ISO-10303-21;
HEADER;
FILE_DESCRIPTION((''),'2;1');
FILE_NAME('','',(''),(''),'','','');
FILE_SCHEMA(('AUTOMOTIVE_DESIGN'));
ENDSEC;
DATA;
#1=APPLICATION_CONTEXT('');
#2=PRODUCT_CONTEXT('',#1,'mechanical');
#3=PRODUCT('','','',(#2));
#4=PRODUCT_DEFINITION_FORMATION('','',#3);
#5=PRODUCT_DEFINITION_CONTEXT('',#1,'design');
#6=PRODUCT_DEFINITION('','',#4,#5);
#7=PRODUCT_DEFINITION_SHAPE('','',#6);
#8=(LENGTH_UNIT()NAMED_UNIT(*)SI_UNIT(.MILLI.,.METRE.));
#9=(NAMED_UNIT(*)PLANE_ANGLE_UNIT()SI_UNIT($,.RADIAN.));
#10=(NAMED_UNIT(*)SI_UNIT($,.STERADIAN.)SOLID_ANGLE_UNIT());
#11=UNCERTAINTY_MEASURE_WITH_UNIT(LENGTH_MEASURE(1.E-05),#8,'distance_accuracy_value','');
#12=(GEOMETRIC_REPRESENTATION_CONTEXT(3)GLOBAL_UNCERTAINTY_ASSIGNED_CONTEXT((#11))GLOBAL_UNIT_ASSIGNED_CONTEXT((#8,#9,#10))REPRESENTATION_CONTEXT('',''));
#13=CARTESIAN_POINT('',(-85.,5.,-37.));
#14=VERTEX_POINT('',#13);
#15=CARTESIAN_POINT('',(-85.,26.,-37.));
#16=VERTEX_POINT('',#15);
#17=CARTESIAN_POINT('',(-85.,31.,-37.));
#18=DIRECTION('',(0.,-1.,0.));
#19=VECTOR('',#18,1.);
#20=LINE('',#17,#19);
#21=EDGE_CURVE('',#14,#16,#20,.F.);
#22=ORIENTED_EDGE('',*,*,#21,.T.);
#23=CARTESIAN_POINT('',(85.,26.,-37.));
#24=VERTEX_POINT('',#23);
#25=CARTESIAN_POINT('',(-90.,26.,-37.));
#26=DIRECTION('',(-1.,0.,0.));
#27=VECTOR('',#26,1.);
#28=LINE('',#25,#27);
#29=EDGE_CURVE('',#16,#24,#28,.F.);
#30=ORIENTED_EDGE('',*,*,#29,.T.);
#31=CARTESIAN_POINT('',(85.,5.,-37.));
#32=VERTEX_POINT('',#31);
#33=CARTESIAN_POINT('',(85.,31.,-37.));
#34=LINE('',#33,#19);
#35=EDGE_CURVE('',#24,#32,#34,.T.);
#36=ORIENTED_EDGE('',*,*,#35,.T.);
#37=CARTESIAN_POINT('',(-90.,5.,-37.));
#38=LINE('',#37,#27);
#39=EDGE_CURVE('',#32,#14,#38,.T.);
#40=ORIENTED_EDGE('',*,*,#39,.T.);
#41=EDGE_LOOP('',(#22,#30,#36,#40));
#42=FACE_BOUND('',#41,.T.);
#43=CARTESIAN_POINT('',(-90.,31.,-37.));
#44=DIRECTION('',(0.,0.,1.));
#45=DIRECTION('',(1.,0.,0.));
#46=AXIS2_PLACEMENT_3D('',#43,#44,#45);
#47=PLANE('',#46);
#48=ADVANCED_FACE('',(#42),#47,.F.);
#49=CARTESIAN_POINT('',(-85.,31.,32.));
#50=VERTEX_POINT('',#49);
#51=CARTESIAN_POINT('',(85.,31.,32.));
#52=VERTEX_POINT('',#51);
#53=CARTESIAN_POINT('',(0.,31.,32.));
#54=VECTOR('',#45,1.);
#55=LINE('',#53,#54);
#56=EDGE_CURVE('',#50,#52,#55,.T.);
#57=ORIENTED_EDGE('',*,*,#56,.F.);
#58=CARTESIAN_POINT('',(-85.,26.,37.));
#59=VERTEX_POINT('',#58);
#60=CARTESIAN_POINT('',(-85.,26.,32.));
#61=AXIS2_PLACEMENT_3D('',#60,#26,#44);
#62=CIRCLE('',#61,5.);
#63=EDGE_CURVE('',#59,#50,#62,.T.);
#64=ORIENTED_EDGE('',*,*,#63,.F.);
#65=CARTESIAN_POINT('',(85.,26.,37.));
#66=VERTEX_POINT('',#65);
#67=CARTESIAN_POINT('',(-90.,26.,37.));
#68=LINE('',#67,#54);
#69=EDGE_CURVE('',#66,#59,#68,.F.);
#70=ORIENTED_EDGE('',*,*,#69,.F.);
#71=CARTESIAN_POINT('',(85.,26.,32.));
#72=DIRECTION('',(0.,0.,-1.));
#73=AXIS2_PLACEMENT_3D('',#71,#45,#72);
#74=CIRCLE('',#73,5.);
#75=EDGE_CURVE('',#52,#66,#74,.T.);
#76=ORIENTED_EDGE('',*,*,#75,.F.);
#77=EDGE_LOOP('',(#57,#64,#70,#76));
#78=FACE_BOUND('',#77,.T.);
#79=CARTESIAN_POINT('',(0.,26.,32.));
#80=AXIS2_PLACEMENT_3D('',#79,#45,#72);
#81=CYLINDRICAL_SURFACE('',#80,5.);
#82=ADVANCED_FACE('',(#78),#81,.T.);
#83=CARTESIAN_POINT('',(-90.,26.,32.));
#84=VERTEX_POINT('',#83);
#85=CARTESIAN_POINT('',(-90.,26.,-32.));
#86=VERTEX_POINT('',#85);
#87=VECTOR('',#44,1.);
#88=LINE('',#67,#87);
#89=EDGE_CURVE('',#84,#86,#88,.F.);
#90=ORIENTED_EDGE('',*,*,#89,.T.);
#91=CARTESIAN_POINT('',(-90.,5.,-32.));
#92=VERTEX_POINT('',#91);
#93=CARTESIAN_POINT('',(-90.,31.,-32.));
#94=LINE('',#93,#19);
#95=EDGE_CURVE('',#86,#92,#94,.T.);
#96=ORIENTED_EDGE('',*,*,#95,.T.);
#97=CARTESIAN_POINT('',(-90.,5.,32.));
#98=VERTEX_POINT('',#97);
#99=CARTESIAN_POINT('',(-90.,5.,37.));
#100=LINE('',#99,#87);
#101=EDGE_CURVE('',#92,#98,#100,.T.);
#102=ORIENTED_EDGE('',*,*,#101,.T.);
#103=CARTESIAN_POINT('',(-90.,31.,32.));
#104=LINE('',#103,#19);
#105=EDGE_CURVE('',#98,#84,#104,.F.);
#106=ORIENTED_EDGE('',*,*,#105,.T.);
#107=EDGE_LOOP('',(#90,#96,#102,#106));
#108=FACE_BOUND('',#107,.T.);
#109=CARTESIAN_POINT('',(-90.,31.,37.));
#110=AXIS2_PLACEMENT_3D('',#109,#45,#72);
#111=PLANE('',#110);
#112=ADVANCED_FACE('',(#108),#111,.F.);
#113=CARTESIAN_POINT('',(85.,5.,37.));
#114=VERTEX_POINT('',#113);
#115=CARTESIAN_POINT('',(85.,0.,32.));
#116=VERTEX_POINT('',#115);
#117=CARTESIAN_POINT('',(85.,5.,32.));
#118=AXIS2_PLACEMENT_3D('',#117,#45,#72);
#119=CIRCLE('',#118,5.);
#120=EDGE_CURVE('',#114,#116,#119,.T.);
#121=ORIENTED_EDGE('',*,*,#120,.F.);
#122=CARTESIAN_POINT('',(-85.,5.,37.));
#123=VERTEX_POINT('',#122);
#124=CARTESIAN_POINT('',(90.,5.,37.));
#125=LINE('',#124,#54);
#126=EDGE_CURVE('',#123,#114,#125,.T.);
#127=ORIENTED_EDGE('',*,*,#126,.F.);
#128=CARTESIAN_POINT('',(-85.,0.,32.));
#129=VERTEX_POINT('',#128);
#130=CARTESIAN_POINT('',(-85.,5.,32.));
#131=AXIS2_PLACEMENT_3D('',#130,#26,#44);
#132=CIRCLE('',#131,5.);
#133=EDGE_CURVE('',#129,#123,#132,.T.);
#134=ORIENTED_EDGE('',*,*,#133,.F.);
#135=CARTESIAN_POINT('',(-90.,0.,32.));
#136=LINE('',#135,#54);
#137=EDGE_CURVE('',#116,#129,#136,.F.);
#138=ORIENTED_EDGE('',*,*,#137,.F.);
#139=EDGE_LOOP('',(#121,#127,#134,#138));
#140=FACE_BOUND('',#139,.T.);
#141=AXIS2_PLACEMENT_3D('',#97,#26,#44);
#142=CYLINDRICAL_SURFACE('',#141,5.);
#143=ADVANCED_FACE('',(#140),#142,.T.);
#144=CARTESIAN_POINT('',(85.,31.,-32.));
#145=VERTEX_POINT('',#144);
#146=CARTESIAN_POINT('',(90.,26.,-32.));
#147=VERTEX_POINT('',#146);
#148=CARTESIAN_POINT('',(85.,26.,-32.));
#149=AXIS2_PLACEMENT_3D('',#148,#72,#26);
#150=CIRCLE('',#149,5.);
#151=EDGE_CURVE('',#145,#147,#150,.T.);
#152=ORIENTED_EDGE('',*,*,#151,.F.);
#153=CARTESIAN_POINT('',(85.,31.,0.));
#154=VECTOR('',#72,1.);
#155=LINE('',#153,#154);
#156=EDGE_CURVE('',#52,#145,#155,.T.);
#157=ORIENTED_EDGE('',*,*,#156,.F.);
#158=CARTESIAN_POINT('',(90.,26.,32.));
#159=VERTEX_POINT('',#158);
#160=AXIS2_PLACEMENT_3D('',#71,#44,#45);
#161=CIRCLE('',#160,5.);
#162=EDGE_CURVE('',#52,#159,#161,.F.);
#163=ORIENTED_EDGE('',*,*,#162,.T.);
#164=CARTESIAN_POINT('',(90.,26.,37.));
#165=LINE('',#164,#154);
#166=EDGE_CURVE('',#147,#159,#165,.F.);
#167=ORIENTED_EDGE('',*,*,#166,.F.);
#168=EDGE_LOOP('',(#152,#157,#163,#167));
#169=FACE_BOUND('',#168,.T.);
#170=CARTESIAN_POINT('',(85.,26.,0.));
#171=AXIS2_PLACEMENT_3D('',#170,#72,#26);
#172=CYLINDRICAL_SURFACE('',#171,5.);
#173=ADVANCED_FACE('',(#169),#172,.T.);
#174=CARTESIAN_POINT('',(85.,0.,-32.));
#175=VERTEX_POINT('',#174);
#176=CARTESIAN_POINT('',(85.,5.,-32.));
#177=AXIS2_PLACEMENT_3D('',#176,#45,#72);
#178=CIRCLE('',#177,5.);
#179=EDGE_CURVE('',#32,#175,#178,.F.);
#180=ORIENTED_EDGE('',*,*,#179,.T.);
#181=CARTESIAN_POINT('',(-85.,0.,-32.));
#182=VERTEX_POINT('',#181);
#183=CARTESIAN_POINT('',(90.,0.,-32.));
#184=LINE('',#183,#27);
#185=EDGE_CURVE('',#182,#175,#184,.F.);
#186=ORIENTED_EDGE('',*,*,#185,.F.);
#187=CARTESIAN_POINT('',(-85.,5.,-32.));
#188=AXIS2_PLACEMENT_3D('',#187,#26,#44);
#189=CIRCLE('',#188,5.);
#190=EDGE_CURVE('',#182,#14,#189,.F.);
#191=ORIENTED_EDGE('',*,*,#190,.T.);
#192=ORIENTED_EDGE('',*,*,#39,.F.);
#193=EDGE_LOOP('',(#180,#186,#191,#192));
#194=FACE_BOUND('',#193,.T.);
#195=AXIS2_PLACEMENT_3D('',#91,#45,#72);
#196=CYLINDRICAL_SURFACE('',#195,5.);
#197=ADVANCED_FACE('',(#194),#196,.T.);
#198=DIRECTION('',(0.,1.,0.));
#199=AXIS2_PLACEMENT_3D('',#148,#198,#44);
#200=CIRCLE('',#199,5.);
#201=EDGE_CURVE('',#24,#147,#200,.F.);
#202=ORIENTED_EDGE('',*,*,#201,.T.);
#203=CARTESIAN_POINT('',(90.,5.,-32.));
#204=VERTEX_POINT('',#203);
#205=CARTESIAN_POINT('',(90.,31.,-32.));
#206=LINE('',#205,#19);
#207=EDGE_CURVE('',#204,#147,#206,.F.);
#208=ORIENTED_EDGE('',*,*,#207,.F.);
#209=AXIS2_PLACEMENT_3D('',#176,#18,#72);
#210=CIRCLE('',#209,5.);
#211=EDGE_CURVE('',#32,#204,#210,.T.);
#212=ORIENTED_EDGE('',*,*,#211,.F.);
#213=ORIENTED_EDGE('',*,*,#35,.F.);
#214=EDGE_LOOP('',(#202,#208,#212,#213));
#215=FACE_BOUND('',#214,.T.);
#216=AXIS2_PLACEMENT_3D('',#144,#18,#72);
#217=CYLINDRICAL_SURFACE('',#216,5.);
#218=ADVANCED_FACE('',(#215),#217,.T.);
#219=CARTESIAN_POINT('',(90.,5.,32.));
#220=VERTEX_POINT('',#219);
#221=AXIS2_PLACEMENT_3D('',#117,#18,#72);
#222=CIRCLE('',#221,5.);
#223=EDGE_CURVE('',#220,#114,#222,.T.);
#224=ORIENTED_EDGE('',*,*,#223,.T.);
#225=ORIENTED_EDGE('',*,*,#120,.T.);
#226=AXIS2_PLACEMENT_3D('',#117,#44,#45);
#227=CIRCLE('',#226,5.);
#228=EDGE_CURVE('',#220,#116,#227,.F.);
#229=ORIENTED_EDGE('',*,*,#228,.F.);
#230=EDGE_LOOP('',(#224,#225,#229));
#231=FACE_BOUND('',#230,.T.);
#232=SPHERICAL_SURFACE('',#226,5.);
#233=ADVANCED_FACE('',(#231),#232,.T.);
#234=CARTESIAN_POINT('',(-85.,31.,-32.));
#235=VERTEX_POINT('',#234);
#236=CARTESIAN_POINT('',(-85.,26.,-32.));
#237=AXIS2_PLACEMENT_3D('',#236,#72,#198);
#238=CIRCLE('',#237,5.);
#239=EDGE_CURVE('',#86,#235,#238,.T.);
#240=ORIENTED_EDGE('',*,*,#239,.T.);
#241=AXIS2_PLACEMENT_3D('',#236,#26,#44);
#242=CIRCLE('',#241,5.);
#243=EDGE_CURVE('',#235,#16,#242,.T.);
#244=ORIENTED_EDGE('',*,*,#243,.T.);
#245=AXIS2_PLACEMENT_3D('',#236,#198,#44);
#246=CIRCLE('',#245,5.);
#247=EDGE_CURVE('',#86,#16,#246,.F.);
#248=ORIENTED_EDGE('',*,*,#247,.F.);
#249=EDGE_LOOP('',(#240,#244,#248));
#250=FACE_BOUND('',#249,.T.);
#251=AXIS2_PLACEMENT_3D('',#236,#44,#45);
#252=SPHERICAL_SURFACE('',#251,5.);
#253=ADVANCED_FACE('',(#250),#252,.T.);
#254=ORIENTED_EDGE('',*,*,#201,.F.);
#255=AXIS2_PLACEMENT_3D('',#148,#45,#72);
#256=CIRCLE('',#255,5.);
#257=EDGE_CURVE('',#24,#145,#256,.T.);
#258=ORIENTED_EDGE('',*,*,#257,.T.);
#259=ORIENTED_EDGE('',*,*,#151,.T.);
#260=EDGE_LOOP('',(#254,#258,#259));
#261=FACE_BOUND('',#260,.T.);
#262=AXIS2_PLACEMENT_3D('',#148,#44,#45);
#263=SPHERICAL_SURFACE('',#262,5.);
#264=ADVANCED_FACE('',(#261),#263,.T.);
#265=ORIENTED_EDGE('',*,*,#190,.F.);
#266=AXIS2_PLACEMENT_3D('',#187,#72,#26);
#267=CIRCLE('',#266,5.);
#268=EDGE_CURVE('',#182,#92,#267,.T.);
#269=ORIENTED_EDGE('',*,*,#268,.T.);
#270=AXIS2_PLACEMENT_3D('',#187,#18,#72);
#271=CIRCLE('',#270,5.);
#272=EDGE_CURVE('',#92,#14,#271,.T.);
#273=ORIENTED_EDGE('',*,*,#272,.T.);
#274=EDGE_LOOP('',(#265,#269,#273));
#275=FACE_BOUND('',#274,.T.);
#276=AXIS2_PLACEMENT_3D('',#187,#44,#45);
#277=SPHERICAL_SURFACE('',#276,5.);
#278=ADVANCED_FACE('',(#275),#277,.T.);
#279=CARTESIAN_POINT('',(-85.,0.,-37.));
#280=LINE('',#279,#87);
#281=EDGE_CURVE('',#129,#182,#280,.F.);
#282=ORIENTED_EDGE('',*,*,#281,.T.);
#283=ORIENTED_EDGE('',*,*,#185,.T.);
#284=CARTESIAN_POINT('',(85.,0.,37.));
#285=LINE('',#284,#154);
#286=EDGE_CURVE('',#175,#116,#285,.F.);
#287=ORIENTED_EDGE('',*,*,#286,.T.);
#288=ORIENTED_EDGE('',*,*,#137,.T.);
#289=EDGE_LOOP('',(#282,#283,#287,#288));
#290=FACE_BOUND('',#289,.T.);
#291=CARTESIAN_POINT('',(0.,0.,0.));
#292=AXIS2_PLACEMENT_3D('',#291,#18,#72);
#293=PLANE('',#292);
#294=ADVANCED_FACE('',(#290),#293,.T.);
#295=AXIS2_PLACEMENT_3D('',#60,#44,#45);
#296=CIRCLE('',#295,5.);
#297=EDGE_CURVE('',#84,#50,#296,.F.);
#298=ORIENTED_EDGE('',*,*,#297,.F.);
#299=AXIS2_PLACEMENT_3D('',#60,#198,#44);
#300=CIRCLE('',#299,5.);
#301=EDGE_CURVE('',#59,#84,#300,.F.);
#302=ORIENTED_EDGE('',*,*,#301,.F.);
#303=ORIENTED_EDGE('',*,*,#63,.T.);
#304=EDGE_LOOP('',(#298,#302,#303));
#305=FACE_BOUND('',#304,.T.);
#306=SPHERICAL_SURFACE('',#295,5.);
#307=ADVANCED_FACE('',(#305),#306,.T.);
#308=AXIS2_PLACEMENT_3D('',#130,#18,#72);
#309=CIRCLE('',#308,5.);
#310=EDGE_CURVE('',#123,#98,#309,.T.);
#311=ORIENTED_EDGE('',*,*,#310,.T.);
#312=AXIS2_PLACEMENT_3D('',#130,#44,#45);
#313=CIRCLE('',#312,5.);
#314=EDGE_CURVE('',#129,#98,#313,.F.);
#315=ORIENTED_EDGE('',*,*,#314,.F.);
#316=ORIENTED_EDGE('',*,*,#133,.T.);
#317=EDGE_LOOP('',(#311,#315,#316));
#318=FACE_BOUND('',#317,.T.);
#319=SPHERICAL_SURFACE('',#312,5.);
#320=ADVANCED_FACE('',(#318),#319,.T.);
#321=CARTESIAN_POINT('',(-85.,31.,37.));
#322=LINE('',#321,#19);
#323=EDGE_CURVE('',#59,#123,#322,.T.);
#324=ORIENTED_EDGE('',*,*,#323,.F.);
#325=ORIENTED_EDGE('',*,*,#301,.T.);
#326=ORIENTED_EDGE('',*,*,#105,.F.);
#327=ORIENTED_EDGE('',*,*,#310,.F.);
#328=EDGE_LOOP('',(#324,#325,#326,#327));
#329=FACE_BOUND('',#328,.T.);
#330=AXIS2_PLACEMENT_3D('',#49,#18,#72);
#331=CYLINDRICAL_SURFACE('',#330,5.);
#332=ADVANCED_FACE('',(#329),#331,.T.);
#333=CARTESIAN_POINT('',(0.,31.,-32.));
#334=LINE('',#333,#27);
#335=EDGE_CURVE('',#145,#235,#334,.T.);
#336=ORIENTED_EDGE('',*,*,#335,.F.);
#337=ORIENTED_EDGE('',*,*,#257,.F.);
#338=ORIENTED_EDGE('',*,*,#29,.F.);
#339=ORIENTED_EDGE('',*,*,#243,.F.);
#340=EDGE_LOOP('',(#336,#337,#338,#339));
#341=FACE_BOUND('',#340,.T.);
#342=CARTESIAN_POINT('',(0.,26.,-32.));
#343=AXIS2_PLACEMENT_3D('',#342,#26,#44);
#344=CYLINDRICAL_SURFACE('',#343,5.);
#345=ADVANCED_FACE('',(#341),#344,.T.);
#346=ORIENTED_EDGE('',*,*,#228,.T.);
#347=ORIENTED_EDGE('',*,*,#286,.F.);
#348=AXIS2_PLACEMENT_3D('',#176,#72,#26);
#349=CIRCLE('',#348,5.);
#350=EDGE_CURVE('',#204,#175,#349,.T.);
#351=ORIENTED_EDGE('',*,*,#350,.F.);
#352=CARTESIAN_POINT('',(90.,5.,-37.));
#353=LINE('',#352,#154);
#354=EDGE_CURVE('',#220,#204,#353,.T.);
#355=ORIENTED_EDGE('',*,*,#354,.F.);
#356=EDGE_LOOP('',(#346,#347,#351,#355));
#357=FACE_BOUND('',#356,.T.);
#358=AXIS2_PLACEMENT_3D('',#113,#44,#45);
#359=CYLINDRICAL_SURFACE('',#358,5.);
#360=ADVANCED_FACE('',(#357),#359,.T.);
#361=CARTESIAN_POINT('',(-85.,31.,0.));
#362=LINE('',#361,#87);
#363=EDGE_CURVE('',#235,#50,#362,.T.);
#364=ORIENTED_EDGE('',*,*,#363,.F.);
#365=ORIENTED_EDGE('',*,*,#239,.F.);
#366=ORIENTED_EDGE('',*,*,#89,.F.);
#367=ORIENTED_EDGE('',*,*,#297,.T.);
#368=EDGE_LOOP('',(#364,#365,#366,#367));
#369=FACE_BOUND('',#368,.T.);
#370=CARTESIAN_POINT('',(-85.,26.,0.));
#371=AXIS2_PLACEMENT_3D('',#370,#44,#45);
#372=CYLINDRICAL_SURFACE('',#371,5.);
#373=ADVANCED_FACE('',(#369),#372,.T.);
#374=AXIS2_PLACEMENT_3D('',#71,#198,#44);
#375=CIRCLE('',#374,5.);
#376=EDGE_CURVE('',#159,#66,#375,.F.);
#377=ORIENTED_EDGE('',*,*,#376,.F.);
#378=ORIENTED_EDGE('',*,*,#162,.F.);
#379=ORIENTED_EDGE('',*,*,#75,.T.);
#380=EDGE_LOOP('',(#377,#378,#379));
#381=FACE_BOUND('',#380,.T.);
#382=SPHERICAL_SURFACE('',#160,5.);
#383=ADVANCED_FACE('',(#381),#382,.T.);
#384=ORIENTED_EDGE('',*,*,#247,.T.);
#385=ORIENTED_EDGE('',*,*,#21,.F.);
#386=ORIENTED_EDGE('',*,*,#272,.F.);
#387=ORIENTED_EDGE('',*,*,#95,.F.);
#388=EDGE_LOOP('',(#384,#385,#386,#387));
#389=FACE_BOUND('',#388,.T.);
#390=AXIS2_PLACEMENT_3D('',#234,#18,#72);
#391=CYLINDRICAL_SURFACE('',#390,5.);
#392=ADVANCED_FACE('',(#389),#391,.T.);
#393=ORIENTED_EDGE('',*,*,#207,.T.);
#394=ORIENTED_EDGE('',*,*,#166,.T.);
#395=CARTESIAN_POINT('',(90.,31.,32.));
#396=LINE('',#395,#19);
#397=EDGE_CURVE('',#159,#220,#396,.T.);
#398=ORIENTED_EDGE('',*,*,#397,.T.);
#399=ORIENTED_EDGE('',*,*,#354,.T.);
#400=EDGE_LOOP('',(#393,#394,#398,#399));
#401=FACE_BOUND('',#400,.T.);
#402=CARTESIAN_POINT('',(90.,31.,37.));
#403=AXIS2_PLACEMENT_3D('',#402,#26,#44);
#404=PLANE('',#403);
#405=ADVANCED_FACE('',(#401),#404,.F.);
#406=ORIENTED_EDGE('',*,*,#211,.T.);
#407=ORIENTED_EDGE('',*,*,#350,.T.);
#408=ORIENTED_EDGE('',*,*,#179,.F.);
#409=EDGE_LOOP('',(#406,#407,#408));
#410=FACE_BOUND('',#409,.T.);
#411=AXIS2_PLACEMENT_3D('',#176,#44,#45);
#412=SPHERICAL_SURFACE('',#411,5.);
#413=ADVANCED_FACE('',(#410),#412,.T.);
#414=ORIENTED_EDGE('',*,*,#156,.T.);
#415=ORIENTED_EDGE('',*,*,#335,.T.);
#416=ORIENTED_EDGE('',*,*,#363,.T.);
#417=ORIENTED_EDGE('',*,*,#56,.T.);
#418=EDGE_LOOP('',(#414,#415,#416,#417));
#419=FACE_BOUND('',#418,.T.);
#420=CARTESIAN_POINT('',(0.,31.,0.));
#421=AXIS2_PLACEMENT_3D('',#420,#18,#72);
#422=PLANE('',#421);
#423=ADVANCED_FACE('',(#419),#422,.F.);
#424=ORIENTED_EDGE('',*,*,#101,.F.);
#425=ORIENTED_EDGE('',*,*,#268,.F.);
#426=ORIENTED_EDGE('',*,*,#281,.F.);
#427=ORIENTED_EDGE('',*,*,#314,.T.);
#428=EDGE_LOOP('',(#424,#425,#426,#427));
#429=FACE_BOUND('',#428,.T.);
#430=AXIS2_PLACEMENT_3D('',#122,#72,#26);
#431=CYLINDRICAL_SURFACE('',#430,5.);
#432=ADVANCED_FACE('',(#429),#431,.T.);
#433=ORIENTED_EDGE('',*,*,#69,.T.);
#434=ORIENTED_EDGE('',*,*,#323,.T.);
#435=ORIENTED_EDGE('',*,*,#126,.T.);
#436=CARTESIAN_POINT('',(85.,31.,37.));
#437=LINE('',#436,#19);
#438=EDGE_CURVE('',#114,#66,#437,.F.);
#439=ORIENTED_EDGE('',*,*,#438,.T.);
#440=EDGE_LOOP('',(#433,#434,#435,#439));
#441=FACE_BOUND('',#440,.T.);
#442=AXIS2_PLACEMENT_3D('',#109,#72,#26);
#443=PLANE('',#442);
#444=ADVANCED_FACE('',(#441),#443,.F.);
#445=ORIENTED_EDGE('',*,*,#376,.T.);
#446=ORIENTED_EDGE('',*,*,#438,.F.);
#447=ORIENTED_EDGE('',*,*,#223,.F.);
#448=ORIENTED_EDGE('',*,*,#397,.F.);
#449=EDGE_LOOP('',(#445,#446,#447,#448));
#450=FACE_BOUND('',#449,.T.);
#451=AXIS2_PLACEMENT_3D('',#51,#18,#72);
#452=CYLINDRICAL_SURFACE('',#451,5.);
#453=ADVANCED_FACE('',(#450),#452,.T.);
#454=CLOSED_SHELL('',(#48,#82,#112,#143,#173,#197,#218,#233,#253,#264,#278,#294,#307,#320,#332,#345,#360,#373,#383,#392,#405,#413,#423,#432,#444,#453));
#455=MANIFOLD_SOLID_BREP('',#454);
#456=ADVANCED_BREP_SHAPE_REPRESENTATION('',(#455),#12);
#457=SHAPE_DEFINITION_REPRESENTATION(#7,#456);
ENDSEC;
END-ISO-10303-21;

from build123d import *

# Parameters (mm, degrees)
SKETCH1_W           = 180
SKETCH1_H           = 74
BOSS_EXTRUDE1_DEPTH = 31
FILLET1_R           = 5


with BuildPart() as part:
    # Sketch1 → Boss-Extrude1 (new body)
    with BuildSketch(Plane(origin=(0, 0, 0), x_dir=(1, 0, 0), z_dir=(0, 1, 0))):
        Rectangle(SKETCH1_W, SKETCH1_H)
    extrude(amount=BOSS_EXTRUDE1_DEPTH)

    # Fillet1
    fillet1_edges = [part.edges().sort_by_distance(p)[0] for p in [
        (-90, 31, 0),
        (0, 31, 37),
        (90, 31, 0),
        (0, 0, 37),
        (-90, 0, 0),
        (0, 0, -37),
        (90, 0, 0),
        (90, 15.5, 37),
        (-90, 15.5, 37),
        (-90, 15.5, -37),
        (90, 15.5, -37),
        (0, 31, -37),
    ]]
    fillet(fillet1_edges, radius=FILLET1_R)


solid = part.part
